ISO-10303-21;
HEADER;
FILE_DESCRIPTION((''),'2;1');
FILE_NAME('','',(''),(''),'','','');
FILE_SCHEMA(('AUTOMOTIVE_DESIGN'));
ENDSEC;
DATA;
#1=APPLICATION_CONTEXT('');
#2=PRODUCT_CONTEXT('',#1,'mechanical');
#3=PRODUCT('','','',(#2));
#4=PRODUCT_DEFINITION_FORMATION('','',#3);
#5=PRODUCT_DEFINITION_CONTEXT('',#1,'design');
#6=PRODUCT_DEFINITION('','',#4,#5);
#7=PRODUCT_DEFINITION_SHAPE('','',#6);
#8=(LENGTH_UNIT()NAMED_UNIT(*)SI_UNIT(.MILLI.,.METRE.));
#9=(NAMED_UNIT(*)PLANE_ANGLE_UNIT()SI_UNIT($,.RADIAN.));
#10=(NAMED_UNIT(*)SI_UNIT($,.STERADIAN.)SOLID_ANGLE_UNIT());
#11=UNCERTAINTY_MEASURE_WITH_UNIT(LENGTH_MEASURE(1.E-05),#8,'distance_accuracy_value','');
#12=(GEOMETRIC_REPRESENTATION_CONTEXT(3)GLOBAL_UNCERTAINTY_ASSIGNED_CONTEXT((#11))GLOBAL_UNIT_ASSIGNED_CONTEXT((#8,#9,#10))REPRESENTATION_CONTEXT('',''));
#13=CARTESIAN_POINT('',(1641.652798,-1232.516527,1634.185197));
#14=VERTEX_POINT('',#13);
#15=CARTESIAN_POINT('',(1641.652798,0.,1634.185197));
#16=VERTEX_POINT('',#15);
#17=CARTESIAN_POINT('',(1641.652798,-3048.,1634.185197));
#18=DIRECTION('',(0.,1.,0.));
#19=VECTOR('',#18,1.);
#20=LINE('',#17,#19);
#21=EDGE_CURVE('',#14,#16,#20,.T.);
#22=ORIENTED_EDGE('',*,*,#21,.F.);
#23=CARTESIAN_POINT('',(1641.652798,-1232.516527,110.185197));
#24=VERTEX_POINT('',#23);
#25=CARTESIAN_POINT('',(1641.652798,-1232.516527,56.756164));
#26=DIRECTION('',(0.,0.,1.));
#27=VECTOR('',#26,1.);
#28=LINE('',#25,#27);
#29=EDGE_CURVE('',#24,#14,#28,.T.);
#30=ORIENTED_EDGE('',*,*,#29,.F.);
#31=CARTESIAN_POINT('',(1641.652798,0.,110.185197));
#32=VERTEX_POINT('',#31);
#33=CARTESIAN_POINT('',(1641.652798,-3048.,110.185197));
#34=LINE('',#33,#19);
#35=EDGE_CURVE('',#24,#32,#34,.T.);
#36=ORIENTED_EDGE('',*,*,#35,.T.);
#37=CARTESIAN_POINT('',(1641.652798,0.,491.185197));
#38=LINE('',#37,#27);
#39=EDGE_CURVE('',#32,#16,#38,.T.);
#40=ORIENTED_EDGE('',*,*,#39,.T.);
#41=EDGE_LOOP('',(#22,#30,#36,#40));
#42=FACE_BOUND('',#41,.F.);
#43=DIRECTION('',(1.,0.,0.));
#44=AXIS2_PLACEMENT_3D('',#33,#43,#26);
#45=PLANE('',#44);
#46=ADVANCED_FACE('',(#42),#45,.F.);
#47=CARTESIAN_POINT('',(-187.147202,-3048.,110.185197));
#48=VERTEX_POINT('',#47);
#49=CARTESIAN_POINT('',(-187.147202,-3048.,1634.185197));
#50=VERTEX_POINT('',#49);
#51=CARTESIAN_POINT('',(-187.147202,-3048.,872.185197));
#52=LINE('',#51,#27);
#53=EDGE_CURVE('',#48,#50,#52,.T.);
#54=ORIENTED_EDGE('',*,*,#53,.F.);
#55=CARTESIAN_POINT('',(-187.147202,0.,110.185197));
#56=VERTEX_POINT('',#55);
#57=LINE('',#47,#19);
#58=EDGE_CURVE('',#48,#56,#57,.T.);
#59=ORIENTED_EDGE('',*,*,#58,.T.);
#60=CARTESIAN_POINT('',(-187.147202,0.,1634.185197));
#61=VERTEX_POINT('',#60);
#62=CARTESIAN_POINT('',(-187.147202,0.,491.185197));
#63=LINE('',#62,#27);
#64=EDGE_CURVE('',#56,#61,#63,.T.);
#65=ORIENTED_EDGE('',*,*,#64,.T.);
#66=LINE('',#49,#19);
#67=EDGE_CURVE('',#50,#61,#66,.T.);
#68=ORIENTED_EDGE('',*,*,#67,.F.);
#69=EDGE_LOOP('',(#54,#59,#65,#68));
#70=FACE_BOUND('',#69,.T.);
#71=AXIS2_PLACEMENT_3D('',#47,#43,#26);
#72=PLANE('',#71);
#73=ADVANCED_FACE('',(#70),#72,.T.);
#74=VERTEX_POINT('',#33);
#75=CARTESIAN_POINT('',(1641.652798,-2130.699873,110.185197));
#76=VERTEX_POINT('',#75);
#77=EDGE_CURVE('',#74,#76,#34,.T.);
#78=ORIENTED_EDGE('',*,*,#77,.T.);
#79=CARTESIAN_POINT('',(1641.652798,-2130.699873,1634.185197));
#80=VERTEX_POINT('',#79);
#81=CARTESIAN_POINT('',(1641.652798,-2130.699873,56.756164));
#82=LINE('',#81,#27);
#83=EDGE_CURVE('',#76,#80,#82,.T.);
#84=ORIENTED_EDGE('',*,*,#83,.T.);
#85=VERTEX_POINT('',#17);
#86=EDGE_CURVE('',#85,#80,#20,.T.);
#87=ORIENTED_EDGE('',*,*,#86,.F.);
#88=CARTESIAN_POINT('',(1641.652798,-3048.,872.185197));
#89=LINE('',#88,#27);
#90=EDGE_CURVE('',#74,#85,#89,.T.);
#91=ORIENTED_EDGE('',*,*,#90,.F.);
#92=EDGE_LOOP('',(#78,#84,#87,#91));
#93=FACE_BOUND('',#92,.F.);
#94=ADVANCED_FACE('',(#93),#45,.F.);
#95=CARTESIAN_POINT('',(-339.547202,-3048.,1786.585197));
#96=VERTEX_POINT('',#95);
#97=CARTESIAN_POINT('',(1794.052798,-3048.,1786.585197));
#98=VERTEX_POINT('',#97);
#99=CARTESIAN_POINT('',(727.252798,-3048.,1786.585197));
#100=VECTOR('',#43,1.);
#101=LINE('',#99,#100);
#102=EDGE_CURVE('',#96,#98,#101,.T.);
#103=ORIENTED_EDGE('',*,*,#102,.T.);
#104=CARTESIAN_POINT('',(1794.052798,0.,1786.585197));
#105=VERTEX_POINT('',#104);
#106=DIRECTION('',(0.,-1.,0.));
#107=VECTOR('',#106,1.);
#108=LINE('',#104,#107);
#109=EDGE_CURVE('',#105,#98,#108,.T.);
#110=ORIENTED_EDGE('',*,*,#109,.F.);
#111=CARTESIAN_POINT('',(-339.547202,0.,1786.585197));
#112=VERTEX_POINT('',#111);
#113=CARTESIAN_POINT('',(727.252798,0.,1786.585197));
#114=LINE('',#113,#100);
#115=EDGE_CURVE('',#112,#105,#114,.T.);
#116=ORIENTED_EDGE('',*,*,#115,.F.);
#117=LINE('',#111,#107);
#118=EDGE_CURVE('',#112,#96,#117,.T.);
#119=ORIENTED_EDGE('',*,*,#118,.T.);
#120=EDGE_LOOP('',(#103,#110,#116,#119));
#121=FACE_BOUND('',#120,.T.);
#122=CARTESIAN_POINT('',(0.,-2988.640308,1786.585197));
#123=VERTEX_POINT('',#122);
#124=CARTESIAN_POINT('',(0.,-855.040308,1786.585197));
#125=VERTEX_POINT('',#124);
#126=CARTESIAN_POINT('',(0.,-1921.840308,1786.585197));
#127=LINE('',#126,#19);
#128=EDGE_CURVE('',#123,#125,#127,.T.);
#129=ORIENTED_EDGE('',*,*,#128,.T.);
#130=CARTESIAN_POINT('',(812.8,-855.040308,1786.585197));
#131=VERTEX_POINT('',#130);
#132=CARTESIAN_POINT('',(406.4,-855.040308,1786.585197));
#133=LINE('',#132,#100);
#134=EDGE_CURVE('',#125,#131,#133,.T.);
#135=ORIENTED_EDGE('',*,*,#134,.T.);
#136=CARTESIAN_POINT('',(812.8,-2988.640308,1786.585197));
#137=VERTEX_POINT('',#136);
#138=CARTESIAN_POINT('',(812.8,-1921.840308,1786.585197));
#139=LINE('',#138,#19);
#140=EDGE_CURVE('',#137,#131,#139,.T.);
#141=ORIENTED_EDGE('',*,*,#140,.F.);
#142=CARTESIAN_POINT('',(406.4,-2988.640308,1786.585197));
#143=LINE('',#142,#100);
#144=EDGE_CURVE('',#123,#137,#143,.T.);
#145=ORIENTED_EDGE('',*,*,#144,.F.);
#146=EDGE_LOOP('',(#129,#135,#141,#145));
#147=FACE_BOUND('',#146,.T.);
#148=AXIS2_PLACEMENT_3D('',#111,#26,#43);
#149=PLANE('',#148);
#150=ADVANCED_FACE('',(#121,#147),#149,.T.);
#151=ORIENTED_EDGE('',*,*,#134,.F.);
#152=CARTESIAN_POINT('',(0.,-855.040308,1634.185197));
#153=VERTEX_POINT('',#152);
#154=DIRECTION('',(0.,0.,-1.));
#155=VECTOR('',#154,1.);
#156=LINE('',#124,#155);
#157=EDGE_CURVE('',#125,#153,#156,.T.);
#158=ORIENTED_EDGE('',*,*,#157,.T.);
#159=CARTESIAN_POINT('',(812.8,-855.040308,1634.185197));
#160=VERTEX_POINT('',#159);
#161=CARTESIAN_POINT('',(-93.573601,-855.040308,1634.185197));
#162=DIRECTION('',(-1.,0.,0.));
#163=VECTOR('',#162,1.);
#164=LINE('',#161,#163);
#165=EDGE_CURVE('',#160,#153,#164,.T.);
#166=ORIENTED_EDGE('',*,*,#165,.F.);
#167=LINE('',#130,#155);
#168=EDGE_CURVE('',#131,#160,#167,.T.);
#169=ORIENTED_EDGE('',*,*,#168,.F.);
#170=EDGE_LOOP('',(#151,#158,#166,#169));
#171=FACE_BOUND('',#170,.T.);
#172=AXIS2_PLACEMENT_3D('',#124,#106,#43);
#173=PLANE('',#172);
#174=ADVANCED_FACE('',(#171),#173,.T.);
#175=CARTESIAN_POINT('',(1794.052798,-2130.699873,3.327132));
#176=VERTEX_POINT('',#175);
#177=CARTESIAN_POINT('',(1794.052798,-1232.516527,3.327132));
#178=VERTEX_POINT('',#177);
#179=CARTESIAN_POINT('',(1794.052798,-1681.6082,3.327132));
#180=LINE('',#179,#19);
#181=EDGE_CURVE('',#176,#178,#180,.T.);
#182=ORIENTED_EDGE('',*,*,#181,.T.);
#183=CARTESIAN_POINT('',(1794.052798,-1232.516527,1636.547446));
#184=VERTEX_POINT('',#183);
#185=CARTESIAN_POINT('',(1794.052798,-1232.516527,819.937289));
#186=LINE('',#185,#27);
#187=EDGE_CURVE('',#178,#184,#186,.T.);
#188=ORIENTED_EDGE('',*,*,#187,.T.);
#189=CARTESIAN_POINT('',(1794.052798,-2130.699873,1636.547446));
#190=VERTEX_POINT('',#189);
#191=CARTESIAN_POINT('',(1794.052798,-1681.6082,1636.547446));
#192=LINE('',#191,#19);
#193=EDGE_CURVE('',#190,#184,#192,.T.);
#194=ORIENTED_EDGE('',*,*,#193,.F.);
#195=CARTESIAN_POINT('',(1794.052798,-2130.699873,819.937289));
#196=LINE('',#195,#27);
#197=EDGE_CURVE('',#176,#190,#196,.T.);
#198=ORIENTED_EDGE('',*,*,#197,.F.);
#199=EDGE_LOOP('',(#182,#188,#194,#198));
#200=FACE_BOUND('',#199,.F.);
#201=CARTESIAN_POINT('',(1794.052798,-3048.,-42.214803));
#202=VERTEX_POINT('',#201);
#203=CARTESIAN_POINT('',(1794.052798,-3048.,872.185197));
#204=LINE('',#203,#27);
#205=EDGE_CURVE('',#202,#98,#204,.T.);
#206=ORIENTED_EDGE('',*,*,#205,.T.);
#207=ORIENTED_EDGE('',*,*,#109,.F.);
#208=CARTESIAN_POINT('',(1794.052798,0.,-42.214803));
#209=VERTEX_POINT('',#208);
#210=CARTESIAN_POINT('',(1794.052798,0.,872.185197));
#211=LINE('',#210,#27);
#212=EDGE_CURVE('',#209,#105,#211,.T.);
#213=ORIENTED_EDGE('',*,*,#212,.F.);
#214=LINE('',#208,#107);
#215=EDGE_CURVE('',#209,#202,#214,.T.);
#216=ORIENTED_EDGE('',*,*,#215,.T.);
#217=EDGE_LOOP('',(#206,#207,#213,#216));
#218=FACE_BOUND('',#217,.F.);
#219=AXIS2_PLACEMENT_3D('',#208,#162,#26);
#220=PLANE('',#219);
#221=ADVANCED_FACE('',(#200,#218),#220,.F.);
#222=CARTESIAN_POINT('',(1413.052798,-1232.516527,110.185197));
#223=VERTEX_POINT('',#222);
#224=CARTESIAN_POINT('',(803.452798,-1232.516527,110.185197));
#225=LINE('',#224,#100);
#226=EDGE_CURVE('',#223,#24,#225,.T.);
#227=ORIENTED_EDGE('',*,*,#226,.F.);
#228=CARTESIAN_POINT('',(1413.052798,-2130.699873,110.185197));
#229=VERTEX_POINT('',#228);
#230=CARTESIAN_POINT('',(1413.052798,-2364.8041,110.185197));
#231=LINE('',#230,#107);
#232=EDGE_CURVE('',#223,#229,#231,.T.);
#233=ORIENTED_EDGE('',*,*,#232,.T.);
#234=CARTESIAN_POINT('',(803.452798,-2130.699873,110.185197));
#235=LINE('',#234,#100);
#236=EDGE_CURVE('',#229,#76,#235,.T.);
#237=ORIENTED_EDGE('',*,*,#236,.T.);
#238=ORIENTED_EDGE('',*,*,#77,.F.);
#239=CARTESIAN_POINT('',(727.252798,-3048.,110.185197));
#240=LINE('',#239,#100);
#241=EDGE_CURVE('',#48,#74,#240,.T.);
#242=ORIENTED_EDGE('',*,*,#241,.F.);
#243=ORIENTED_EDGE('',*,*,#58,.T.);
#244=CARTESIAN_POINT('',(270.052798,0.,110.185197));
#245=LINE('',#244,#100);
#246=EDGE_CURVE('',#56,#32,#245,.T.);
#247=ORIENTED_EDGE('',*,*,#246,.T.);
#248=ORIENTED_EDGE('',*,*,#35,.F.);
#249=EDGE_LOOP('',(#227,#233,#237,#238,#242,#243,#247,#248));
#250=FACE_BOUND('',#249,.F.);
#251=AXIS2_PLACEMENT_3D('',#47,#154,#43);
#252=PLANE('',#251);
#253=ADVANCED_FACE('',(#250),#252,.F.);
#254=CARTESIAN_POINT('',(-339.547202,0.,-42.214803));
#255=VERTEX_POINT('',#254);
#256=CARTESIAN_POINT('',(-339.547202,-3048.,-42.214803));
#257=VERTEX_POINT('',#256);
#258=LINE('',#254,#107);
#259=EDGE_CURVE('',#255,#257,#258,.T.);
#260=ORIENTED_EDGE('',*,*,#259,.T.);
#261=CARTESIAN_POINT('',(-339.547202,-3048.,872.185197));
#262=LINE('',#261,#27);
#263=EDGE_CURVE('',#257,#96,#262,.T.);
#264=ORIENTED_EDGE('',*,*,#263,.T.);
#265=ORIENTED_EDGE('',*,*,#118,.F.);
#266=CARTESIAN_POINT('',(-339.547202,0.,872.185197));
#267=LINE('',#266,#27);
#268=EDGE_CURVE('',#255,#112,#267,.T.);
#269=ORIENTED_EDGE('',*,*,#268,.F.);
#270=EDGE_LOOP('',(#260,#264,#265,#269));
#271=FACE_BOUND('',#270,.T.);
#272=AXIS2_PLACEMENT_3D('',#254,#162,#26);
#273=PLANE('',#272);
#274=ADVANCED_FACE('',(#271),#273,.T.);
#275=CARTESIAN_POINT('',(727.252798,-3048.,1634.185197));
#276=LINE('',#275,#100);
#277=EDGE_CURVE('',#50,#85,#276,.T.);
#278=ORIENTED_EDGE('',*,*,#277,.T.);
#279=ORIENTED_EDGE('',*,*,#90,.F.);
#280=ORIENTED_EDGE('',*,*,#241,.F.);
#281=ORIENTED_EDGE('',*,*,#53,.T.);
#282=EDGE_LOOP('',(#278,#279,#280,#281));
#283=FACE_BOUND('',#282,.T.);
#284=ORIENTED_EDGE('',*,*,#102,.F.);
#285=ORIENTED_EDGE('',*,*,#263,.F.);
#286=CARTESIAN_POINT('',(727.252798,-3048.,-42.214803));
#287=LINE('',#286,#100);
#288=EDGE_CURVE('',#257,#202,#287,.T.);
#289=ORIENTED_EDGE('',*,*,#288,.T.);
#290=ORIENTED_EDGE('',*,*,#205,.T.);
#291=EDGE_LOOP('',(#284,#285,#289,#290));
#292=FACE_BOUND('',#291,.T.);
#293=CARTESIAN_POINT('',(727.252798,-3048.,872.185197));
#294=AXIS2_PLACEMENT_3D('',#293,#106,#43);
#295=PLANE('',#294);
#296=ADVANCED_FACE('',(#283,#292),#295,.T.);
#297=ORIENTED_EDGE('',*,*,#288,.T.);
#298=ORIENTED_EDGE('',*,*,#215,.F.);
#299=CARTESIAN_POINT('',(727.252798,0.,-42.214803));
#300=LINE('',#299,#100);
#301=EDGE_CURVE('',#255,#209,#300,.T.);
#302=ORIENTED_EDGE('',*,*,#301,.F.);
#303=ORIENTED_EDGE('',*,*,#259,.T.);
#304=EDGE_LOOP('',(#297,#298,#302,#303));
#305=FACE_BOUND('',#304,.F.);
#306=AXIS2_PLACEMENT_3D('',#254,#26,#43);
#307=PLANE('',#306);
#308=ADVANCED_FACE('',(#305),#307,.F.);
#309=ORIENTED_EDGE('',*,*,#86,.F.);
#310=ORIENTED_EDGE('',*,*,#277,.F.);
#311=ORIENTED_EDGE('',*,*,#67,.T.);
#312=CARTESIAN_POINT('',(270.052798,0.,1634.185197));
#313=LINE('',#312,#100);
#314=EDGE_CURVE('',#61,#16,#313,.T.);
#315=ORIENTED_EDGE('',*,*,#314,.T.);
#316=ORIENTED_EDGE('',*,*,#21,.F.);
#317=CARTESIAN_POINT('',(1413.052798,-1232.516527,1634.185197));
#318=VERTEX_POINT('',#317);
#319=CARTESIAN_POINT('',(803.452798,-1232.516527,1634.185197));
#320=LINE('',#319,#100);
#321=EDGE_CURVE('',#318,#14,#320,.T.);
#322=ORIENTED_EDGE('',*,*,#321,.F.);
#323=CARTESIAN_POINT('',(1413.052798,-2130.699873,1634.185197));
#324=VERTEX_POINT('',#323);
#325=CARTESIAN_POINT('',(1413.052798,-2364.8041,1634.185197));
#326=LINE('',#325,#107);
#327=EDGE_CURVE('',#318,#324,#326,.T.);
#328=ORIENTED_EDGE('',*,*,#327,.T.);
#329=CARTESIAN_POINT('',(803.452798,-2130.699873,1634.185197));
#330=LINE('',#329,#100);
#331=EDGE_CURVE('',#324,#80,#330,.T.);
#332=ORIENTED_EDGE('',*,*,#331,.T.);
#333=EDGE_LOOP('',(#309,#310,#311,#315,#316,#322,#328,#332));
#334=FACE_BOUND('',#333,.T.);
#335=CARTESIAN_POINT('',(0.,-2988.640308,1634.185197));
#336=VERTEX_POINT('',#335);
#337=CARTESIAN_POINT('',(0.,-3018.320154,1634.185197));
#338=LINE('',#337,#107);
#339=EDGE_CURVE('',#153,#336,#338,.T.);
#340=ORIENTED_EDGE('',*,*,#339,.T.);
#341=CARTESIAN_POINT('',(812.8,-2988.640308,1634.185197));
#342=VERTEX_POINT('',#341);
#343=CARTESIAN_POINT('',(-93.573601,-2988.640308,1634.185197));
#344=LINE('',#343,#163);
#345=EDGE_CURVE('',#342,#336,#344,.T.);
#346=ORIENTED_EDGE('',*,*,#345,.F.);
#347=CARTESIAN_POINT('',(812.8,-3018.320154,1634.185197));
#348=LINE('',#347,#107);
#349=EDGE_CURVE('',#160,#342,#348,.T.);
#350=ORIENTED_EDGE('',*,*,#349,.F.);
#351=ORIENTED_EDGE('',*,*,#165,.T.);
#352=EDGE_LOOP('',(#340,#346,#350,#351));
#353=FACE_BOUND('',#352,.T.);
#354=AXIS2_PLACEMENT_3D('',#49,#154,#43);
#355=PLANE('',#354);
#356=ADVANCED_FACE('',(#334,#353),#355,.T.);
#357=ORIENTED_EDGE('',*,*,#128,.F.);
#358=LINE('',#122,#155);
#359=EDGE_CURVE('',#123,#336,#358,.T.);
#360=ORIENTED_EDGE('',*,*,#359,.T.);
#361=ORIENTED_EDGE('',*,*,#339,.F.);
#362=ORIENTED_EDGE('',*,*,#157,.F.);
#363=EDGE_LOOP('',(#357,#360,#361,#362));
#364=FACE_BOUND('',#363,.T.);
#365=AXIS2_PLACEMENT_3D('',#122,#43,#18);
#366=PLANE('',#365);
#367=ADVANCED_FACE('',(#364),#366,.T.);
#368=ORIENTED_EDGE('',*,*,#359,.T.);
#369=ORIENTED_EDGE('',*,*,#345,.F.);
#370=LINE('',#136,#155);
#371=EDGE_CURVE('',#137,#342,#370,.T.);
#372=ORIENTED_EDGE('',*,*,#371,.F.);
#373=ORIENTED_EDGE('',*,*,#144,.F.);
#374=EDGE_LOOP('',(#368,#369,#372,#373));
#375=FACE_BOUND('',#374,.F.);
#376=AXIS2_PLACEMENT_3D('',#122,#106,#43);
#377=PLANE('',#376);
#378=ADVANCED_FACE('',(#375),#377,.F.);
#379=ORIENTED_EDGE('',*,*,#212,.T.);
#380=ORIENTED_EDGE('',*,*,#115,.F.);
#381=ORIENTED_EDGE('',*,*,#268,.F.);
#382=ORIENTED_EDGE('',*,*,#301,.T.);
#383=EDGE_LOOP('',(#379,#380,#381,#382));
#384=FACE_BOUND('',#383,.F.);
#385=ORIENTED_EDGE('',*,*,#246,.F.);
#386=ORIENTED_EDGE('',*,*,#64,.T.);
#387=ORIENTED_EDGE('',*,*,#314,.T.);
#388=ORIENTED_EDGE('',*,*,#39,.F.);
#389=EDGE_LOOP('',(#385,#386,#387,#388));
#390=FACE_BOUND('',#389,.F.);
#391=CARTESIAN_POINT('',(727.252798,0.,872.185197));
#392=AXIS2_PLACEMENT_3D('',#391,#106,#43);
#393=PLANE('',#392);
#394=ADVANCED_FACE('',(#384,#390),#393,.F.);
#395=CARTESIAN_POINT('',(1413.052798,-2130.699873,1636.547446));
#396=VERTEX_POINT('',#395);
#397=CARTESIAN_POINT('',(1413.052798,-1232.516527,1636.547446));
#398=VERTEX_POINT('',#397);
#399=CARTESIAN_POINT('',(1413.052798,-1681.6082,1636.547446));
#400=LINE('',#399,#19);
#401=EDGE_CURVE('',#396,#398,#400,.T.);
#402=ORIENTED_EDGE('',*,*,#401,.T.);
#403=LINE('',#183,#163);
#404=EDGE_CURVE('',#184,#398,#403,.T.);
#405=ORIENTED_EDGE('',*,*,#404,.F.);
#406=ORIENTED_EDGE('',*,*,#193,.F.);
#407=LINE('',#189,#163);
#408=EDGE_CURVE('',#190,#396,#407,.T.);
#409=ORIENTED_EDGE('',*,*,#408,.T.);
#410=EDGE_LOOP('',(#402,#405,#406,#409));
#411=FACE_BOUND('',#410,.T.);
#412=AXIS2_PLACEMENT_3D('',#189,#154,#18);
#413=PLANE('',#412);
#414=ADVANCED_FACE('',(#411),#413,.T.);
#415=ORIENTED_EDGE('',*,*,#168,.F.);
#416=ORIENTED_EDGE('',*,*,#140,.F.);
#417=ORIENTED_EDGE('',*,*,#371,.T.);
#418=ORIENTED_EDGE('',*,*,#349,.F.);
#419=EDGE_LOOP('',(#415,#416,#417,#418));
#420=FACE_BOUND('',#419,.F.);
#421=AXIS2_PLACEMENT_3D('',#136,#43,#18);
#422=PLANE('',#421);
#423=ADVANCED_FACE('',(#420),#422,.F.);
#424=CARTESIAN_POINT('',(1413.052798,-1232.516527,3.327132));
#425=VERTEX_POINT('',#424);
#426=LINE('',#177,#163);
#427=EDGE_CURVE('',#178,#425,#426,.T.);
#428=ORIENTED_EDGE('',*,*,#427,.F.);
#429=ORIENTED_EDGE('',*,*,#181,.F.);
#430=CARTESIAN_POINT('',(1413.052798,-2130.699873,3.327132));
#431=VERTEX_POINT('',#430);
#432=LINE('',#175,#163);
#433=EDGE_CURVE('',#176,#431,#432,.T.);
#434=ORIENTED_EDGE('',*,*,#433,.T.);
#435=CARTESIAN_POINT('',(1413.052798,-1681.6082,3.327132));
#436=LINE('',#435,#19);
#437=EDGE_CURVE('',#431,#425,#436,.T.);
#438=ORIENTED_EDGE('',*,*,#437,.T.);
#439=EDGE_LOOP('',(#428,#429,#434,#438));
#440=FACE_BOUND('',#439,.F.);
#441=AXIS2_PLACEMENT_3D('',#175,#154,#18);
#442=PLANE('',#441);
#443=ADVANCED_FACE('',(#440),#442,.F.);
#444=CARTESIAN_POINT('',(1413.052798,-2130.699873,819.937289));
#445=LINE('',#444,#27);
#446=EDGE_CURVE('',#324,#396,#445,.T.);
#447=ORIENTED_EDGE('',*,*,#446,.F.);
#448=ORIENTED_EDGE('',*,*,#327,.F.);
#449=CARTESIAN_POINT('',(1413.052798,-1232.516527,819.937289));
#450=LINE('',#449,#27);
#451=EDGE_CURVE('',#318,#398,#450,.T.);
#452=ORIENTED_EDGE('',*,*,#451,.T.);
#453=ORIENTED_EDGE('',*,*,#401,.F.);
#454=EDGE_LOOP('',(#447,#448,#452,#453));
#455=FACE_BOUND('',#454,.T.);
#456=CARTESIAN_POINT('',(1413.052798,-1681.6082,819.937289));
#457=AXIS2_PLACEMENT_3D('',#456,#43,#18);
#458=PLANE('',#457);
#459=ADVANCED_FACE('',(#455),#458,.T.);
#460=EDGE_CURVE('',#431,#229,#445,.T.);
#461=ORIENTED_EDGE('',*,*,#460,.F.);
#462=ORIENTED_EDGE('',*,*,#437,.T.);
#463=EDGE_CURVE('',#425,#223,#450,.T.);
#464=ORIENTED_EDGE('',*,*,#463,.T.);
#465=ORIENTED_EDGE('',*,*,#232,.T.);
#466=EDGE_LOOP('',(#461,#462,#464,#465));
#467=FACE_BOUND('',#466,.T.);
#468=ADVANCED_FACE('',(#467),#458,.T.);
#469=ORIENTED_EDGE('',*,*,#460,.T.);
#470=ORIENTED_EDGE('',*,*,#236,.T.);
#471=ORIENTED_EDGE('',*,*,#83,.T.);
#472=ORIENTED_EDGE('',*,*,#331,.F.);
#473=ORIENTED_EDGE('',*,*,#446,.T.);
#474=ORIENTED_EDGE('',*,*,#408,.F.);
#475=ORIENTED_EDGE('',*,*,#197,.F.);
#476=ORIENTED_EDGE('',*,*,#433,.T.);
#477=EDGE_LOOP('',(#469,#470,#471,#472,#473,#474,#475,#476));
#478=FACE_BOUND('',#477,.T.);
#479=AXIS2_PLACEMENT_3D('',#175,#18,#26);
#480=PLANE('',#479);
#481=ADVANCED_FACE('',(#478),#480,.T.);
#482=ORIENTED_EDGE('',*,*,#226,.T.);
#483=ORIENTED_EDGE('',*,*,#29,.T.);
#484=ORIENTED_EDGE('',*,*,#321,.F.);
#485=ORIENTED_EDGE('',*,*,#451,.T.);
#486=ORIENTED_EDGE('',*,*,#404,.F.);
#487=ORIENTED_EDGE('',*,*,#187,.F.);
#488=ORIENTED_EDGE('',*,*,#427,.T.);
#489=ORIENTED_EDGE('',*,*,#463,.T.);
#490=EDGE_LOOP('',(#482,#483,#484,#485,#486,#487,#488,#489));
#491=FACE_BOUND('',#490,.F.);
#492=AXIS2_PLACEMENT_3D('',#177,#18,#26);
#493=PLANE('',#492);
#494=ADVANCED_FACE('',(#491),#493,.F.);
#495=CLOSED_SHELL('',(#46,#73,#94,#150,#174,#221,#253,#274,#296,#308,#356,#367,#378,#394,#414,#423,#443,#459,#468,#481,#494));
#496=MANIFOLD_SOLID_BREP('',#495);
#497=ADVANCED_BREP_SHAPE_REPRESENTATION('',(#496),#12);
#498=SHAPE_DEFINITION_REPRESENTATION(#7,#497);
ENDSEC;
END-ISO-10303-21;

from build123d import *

# Parameters (mm, degrees)
F0_W     = 2133.6
F0_H     = 1828.8
F1_DEPTH = 3048
F2_W     = 1828.8
F2_H     = 1524
F3_DEPTH = 3302
F4_W     = 812.8
F4_H     = 2133.6
F5_DEPTH = 304.8
F6_W     = 898.183346
F6_H     = 1633.220315
F7_DEPTH = 381


with BuildPart() as f1:
    # F0 (on Front) → F1 (new body)
    with BuildSketch(Plane.XZ):
        with Locations((727.252798, 872.185197)):
            Rectangle(F0_W, F0_H)
    extrude(amount=F1_DEPTH)

    # F2 (on face) → F3 (cut)
    with BuildSketch(Plane.XZ.offset(3048)):
        with Locations((727.252798, 872.185197)):
            Rectangle(F2_W, F2_H)
    extrude(amount=-F3_DEPTH, mode=Mode.SUBTRACT)

    # F4 (on face) → F5 (cut)
    with BuildSketch(Plane.XY.offset(1786.585197)):
        with Locations((406.4, -1921.840308)):
            Rectangle(F4_W, F4_H)
    extrude(amount=-F5_DEPTH, mode=Mode.SUBTRACT)

    # F6 (on face) → F7 (cut)
    with BuildSketch(Plane.YZ.offset(1794.052798)):
        with Locations((-1681.6082, 819.937289)):
            Rectangle(F6_W, F6_H)
    extrude(amount=-F7_DEPTH, mode=Mode.SUBTRACT)


solid = f1.part
